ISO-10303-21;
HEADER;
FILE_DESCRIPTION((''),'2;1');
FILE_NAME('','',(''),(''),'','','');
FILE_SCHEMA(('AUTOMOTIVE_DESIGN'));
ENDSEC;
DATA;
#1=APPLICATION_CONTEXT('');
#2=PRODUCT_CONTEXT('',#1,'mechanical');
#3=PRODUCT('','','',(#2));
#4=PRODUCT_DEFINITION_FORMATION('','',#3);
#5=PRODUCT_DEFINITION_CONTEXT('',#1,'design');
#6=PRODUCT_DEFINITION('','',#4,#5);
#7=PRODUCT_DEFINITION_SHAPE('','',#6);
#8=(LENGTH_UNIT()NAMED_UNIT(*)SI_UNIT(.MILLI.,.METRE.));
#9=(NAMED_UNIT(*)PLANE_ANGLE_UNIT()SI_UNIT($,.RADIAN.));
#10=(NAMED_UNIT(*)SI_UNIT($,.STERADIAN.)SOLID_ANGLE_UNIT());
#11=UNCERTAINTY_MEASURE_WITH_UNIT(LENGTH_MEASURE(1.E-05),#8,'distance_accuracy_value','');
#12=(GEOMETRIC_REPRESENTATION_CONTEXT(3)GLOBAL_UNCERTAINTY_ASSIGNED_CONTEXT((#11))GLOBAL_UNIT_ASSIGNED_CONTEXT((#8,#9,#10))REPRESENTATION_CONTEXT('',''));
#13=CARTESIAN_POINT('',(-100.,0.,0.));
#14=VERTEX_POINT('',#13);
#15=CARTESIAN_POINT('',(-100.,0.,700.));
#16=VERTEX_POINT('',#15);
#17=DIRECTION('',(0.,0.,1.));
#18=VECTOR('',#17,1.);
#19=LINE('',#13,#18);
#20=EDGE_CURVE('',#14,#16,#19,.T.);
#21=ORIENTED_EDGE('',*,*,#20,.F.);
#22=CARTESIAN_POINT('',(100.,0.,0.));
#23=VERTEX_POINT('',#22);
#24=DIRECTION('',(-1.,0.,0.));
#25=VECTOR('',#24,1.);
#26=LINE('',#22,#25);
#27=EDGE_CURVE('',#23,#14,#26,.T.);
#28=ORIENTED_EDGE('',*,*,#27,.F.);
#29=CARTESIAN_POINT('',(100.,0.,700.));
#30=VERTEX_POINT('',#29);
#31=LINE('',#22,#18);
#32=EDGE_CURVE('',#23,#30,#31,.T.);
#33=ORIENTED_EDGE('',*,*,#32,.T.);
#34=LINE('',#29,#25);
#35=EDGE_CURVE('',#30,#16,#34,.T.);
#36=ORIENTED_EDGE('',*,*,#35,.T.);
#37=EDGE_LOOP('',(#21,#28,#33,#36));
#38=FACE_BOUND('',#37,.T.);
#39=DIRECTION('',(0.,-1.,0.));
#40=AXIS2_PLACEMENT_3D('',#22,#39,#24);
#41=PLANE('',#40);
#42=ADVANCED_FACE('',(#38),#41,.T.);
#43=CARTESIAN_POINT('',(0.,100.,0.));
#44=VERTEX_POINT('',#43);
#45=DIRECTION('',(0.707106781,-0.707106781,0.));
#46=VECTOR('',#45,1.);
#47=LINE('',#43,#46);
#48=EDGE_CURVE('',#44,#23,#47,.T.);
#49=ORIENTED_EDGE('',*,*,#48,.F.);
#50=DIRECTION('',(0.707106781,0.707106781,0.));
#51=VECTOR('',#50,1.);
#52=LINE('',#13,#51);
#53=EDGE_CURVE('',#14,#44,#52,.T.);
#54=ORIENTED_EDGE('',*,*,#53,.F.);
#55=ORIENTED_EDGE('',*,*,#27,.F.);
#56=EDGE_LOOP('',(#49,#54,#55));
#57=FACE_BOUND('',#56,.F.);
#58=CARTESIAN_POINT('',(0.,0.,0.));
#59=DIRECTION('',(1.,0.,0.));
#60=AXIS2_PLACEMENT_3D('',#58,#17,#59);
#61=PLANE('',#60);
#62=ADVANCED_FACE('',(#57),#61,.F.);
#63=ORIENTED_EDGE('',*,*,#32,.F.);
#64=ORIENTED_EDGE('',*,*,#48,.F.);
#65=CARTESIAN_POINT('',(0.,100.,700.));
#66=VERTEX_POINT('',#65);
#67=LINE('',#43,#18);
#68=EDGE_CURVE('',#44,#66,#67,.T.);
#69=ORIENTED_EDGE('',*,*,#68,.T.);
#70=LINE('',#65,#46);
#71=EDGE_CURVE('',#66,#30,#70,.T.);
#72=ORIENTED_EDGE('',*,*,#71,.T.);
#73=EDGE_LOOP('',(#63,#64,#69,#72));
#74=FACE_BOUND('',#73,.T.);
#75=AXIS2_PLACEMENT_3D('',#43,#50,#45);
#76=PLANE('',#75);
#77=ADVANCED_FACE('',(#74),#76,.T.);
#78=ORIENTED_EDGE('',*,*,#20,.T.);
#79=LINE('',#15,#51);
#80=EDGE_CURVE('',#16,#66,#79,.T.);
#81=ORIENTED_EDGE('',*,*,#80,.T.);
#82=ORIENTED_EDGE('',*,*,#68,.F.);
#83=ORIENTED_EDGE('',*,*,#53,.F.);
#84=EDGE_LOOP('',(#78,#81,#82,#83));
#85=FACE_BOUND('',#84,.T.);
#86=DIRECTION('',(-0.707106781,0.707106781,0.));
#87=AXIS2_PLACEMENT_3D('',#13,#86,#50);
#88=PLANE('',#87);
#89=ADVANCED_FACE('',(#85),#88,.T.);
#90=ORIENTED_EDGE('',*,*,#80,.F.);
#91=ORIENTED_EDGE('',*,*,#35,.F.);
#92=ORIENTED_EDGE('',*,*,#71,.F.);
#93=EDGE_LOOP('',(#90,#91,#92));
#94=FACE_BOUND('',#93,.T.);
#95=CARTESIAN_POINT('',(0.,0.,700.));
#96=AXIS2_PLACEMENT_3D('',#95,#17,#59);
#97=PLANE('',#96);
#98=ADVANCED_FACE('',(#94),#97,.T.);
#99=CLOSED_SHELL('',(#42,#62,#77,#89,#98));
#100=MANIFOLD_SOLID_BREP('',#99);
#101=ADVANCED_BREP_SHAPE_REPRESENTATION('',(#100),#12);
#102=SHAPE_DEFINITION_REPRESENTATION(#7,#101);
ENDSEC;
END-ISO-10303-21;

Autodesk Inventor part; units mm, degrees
ref_plane "YZ Plane" through (0, 0, 0) normal (1, 0, 0) x (0, 1, 0)
ref_plane "XZ Plane" through (0, 0, 0) normal (0, 1, 0) x (-1, 0, 0)
ref_plane "XY Plane" through (0, 0, 0) normal (0, 0, 1) x (1, 0, 0)
sketch "スケッチ1" plane through (0, 0, 0) normal (0, 0, 1) x (1, 0, 0)
  line L0 (-100, 0) -> (0, 100)
  line L1 (0, 100) -> (100, 0)
  line L2 (100, 0) -> (-100, 0)
  point P0 (0, 0)
  point P1 (0, 0)
  dimension "d0" = 100
  dimension "d1" = 200
extrude "押し出し1" add sketch "スケッチ1" along normal blind 700
sketch "スケッチ2" plane through (0, 0, 0) normal (0, 0, -1) x (-1, 0, 0)
  point P0 (0, 0)
  point P1 (0, 100)
  point P2 (100, 0)
  point P3 (-100, 0)
properties part number "Island"
